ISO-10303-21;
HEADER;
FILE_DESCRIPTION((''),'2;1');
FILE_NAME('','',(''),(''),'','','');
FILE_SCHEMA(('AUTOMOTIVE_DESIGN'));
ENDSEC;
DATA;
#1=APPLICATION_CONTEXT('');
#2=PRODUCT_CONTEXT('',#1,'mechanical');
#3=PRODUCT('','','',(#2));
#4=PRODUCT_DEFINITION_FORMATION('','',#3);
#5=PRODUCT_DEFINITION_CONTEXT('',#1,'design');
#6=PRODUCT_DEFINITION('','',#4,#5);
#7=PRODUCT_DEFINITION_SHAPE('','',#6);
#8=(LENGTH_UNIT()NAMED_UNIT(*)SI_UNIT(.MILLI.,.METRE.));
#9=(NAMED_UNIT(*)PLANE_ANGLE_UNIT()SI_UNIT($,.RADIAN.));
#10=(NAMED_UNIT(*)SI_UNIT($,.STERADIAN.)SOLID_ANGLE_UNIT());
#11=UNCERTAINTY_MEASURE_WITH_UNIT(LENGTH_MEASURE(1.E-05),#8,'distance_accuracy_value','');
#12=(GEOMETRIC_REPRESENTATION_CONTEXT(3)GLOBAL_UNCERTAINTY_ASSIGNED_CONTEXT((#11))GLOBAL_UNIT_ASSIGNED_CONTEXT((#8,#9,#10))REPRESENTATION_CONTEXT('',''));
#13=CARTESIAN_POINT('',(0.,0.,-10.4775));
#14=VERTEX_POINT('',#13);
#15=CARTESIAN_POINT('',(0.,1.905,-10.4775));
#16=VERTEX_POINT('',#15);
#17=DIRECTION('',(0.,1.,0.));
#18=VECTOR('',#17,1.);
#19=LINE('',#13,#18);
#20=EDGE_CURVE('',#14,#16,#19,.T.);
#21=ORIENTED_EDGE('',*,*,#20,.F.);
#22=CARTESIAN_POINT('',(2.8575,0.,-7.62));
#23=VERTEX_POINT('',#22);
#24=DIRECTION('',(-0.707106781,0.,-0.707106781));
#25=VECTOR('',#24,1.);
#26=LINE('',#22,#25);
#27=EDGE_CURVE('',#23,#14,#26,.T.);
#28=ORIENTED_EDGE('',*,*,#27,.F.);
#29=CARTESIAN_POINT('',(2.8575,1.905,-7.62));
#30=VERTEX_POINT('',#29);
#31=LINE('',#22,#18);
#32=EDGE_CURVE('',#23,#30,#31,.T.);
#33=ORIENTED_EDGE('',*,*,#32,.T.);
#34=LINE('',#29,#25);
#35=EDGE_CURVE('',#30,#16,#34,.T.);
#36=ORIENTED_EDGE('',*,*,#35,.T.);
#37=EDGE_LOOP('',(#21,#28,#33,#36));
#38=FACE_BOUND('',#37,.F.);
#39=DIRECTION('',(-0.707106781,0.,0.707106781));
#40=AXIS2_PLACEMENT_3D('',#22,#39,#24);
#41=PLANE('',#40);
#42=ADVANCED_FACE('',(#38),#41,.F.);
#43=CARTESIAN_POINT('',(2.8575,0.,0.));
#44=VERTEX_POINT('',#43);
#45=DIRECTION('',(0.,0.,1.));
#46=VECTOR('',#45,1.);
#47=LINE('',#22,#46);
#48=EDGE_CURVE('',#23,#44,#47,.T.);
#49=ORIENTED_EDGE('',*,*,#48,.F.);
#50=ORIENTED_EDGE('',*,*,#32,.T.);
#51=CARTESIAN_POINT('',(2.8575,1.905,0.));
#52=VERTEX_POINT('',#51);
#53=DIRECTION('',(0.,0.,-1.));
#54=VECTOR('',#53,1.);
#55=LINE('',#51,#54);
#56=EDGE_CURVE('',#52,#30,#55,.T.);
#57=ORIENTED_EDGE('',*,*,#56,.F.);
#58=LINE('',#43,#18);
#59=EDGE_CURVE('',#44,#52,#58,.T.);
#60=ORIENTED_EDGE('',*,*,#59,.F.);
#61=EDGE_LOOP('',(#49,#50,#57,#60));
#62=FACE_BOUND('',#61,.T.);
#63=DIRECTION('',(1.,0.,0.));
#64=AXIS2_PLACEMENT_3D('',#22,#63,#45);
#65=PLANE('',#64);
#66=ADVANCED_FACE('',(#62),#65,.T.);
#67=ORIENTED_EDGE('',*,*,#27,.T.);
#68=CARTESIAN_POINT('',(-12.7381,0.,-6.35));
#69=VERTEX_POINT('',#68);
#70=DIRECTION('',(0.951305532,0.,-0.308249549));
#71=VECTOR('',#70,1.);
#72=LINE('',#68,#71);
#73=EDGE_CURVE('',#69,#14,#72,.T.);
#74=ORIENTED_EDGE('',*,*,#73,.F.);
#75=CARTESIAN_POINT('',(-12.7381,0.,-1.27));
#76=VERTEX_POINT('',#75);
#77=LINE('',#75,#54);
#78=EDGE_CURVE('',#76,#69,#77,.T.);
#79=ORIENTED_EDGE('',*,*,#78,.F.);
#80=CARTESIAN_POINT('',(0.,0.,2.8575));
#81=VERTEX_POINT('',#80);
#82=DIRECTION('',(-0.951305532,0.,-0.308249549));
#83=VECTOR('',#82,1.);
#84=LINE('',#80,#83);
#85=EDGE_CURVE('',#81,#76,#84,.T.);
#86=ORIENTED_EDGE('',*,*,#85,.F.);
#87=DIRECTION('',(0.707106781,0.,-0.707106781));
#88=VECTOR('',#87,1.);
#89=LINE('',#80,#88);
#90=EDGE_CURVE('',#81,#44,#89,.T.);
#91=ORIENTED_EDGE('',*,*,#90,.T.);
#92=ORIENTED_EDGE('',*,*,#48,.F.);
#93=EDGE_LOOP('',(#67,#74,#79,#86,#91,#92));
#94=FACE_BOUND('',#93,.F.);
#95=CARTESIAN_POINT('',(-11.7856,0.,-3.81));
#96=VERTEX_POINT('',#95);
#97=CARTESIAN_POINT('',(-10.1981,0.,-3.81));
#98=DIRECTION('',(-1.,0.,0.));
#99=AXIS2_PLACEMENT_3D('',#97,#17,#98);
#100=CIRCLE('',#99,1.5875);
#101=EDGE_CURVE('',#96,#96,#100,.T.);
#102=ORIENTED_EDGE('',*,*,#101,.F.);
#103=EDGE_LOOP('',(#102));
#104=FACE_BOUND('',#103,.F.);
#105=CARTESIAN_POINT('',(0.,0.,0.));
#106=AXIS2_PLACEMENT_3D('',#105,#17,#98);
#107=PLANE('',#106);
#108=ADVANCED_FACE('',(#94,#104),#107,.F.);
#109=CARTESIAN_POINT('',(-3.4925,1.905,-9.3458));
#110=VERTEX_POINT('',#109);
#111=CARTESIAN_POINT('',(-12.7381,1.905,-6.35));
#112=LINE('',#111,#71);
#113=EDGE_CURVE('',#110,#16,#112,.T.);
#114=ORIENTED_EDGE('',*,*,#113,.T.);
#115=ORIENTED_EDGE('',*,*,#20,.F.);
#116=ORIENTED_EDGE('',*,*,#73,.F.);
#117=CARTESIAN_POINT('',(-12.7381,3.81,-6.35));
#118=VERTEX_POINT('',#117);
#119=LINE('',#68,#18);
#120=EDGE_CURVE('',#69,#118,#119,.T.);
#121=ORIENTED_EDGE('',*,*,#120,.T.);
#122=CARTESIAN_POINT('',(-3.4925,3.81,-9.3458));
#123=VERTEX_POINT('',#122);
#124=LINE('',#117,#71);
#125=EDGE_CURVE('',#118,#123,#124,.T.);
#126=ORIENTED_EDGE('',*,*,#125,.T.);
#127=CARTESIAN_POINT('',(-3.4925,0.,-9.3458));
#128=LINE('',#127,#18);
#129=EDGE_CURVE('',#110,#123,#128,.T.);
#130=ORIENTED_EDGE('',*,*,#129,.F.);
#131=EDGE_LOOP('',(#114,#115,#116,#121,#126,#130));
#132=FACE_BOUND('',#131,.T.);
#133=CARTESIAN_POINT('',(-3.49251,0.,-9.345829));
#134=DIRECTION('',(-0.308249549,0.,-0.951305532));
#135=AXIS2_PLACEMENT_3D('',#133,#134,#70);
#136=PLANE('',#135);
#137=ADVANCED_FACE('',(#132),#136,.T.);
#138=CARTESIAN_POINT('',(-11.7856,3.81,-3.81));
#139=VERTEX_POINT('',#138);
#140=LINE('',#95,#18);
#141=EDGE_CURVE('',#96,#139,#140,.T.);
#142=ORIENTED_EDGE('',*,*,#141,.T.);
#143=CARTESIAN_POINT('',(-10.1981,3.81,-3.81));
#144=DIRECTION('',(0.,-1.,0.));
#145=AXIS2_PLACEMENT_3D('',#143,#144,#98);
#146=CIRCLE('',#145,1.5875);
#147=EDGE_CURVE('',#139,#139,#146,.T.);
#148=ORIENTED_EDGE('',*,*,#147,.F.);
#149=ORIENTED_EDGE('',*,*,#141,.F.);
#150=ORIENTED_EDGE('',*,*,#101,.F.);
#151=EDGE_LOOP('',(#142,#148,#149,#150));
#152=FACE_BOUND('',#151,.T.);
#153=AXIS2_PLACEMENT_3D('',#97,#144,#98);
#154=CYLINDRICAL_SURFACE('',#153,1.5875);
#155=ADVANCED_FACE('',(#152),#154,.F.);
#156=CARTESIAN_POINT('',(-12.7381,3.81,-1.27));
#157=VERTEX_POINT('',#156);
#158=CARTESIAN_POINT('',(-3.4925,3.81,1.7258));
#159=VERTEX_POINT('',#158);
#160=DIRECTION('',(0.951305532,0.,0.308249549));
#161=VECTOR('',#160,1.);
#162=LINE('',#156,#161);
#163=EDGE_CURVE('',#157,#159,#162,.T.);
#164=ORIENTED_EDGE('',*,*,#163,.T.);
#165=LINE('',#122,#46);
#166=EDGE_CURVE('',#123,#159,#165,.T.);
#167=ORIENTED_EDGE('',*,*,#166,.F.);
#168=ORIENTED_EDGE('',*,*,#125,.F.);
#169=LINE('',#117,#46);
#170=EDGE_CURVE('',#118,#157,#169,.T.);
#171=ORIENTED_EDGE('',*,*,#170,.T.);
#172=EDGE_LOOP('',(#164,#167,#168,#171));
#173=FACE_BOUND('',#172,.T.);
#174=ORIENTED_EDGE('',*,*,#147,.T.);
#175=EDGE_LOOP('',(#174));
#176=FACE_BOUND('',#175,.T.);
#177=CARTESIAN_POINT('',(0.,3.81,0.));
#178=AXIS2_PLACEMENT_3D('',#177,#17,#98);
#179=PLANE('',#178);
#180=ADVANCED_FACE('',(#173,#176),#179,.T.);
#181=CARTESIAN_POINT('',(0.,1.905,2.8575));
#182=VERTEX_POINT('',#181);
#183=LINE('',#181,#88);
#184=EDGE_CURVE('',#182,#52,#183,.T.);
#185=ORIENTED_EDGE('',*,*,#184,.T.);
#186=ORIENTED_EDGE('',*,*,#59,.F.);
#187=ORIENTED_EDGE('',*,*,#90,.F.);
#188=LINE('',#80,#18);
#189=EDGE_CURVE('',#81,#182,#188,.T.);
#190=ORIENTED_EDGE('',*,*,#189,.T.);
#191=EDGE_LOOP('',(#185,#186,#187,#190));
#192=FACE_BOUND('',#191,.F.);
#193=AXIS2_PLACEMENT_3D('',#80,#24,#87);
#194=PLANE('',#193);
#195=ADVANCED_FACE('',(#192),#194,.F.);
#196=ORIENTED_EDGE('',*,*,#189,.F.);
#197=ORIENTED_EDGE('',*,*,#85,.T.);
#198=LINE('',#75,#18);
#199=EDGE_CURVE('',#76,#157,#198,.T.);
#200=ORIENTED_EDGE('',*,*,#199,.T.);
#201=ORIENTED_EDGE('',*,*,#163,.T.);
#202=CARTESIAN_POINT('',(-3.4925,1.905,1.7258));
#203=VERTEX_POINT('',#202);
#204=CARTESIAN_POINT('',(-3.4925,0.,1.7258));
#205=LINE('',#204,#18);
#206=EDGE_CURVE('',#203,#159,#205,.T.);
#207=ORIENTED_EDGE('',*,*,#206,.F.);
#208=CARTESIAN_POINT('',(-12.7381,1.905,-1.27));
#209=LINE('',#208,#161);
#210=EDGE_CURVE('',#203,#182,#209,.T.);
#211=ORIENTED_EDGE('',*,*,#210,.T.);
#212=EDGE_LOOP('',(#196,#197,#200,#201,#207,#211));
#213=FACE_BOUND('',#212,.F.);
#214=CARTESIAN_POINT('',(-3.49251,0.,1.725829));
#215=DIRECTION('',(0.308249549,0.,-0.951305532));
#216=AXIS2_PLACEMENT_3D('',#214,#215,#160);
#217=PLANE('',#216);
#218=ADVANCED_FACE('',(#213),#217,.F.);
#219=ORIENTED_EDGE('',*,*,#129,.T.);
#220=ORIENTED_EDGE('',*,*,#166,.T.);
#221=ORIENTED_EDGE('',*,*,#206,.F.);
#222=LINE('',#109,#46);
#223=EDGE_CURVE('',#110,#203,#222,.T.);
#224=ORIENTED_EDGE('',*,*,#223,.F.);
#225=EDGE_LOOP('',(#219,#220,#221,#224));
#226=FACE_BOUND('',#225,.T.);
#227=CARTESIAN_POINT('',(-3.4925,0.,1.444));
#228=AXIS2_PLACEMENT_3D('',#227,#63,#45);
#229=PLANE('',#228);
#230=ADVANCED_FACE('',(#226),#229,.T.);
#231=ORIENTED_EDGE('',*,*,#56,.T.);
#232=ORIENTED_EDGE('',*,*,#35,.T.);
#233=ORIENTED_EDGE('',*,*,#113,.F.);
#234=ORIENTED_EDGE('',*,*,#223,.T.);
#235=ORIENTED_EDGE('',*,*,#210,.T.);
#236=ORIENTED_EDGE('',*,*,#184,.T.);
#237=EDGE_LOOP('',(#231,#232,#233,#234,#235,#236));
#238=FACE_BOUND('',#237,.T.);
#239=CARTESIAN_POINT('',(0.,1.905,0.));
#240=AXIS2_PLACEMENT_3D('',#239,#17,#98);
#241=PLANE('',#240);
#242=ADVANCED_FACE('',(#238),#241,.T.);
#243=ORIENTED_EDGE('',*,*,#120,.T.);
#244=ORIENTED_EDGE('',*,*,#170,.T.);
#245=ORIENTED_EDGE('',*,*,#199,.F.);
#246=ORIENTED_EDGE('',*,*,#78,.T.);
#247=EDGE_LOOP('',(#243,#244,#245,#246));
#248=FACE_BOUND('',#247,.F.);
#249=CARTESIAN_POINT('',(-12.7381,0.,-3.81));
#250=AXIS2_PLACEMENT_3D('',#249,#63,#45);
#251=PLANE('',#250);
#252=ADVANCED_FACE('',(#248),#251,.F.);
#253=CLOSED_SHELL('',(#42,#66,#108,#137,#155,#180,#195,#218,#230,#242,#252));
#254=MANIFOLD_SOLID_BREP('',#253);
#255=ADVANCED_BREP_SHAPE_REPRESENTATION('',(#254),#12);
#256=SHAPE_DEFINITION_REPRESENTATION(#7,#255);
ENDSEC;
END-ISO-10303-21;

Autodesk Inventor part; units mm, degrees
ref_plane "YZ Plane" through (0, 0, 0) normal (1, 0, 0) x (0, 1, 0)
ref_plane "XZ Plane" through (0, 0, 0) normal (0, 1, 0) x (-1, 0, 0)
sketch "Sketch1" plane through (0, 0, 0) normal (0, 1, 0) x (-1, 0, 0)
  circle A0 centre (0, 0) radius 1.5875
  line L0 (0, 0) -> (0, -7.62)
  circle A1 centre (0, -7.62) radius 1.5875
  line L1 (-14.0081, -3.81) -> (-6.6675, -3.81)
  circle A2 centre (10.1981, -3.81) radius 1.5875
  line L2 (10.1981, -3.81) -> (10.1981, -6.35)
  line L3 (10.1981, -6.35) -> (10.1981, -1.27)
  line L4 (0, 1.5875) -> (0, 2.8575)
  line L5 (-1.5875, 0) -> (-2.8575, 0)
  line L6 (0, -9.2075) -> (0, -10.4775)
  line L7 (-1.5875, -7.62) -> (-2.8575, -7.62)
  line L8 (-2.8575, -7.62) -> (-2.8575, 0)
  line L9 (0, 2.8575) -> (-2.8575, 0)
  line L10 (0, 2.8575) -> (3.4925, 1.444)
  line L11 (3.4925, -9.064) -> (0, -10.4775)
  line L12 (-2.8575, -7.62) -> (0, -10.4775)
  line L13 (-2.8575, -3.81) -> (0, -3.81)
  line L14 (3.4925, -3.81) -> (3.4925, -9.064)
  line L15 (3.4925, -3.81) -> (3.4925, 1.444)
  line L16 (10.1981, -3.81) -> (12.7381, -3.81)
  line L17 (12.7381, -3.81) -> (12.7381, -6.35)
  line L18 (12.7381, -6.35) -> (10.1981, -6.35)
  line L19 (12.7381, -3.81) -> (12.7381, -1.27)
  line L20 (12.7381, -1.27) -> (10.1981, -1.27)
  line L21 (12.7381, -6.35) -> (0, -10.4775)
  line L22 (12.7381, -1.27) -> (0, 2.8575)
  line L23 (10.1981, -3.81) -> (12.7381, -3.81)
  line L24 (3.4925, 1.444) -> (3.4925, 1.7258)
  line L25 (3.4925, -9.064) -> (3.4925, -9.3458)
  dimension "d0" = 3.175
  dimension "d1" = 7.62
  dimension "d2" = 3.175
  dimension "d3" = 7.3406
  dimension "d4" = 3.175
  dimension "d7" = 5.08
  dimension "d8" = 1.27
  dimension "d9" = 1.27
  dimension "d10" = 1.27
  dimension "d11" = 1.27
  dimension "d12" = 6.35
  dimension "d44" = 2.54
ref_plane "Work Plane2" through (2.8575, 0, 0) normal (0.7071, 0, 0.7071) x (0.7071, 0, -0.7071)
sketch "Sketch3" plane through (2.8575, 0, 0) normal (0.7071, 0, 0.7071) x (0.7071, 0, -0.7071)
  point P0 (-2.0206, 0)
extrude "Extrusion4" add sketch "Sketch1" along normal blind 1.905 contours A0 L4 L10 L15 L14 L11 L6 A1 L0 | A0 L5 L9 L4 | L0 L13 L8 L5 A0 | L22 L24 L10 | L0 A1 L7 L8 L13 | A1 L6 L12 L7 | L25 L21 L11
extrude "Extrusion5" add sketch "Sketch1" along normal blind 3.81 contours L24 L22 L20 L3 A2 L2 L18 L21 L25 L14 L15 | L19 L16 A2 L3 L20 | L17 L18 L2 A2 L16
extrude "Extrusion6" add sketch "Sketch1" along normal blind 1.905 contours A0 | A1
properties part number "rollertriangle(v3)"
